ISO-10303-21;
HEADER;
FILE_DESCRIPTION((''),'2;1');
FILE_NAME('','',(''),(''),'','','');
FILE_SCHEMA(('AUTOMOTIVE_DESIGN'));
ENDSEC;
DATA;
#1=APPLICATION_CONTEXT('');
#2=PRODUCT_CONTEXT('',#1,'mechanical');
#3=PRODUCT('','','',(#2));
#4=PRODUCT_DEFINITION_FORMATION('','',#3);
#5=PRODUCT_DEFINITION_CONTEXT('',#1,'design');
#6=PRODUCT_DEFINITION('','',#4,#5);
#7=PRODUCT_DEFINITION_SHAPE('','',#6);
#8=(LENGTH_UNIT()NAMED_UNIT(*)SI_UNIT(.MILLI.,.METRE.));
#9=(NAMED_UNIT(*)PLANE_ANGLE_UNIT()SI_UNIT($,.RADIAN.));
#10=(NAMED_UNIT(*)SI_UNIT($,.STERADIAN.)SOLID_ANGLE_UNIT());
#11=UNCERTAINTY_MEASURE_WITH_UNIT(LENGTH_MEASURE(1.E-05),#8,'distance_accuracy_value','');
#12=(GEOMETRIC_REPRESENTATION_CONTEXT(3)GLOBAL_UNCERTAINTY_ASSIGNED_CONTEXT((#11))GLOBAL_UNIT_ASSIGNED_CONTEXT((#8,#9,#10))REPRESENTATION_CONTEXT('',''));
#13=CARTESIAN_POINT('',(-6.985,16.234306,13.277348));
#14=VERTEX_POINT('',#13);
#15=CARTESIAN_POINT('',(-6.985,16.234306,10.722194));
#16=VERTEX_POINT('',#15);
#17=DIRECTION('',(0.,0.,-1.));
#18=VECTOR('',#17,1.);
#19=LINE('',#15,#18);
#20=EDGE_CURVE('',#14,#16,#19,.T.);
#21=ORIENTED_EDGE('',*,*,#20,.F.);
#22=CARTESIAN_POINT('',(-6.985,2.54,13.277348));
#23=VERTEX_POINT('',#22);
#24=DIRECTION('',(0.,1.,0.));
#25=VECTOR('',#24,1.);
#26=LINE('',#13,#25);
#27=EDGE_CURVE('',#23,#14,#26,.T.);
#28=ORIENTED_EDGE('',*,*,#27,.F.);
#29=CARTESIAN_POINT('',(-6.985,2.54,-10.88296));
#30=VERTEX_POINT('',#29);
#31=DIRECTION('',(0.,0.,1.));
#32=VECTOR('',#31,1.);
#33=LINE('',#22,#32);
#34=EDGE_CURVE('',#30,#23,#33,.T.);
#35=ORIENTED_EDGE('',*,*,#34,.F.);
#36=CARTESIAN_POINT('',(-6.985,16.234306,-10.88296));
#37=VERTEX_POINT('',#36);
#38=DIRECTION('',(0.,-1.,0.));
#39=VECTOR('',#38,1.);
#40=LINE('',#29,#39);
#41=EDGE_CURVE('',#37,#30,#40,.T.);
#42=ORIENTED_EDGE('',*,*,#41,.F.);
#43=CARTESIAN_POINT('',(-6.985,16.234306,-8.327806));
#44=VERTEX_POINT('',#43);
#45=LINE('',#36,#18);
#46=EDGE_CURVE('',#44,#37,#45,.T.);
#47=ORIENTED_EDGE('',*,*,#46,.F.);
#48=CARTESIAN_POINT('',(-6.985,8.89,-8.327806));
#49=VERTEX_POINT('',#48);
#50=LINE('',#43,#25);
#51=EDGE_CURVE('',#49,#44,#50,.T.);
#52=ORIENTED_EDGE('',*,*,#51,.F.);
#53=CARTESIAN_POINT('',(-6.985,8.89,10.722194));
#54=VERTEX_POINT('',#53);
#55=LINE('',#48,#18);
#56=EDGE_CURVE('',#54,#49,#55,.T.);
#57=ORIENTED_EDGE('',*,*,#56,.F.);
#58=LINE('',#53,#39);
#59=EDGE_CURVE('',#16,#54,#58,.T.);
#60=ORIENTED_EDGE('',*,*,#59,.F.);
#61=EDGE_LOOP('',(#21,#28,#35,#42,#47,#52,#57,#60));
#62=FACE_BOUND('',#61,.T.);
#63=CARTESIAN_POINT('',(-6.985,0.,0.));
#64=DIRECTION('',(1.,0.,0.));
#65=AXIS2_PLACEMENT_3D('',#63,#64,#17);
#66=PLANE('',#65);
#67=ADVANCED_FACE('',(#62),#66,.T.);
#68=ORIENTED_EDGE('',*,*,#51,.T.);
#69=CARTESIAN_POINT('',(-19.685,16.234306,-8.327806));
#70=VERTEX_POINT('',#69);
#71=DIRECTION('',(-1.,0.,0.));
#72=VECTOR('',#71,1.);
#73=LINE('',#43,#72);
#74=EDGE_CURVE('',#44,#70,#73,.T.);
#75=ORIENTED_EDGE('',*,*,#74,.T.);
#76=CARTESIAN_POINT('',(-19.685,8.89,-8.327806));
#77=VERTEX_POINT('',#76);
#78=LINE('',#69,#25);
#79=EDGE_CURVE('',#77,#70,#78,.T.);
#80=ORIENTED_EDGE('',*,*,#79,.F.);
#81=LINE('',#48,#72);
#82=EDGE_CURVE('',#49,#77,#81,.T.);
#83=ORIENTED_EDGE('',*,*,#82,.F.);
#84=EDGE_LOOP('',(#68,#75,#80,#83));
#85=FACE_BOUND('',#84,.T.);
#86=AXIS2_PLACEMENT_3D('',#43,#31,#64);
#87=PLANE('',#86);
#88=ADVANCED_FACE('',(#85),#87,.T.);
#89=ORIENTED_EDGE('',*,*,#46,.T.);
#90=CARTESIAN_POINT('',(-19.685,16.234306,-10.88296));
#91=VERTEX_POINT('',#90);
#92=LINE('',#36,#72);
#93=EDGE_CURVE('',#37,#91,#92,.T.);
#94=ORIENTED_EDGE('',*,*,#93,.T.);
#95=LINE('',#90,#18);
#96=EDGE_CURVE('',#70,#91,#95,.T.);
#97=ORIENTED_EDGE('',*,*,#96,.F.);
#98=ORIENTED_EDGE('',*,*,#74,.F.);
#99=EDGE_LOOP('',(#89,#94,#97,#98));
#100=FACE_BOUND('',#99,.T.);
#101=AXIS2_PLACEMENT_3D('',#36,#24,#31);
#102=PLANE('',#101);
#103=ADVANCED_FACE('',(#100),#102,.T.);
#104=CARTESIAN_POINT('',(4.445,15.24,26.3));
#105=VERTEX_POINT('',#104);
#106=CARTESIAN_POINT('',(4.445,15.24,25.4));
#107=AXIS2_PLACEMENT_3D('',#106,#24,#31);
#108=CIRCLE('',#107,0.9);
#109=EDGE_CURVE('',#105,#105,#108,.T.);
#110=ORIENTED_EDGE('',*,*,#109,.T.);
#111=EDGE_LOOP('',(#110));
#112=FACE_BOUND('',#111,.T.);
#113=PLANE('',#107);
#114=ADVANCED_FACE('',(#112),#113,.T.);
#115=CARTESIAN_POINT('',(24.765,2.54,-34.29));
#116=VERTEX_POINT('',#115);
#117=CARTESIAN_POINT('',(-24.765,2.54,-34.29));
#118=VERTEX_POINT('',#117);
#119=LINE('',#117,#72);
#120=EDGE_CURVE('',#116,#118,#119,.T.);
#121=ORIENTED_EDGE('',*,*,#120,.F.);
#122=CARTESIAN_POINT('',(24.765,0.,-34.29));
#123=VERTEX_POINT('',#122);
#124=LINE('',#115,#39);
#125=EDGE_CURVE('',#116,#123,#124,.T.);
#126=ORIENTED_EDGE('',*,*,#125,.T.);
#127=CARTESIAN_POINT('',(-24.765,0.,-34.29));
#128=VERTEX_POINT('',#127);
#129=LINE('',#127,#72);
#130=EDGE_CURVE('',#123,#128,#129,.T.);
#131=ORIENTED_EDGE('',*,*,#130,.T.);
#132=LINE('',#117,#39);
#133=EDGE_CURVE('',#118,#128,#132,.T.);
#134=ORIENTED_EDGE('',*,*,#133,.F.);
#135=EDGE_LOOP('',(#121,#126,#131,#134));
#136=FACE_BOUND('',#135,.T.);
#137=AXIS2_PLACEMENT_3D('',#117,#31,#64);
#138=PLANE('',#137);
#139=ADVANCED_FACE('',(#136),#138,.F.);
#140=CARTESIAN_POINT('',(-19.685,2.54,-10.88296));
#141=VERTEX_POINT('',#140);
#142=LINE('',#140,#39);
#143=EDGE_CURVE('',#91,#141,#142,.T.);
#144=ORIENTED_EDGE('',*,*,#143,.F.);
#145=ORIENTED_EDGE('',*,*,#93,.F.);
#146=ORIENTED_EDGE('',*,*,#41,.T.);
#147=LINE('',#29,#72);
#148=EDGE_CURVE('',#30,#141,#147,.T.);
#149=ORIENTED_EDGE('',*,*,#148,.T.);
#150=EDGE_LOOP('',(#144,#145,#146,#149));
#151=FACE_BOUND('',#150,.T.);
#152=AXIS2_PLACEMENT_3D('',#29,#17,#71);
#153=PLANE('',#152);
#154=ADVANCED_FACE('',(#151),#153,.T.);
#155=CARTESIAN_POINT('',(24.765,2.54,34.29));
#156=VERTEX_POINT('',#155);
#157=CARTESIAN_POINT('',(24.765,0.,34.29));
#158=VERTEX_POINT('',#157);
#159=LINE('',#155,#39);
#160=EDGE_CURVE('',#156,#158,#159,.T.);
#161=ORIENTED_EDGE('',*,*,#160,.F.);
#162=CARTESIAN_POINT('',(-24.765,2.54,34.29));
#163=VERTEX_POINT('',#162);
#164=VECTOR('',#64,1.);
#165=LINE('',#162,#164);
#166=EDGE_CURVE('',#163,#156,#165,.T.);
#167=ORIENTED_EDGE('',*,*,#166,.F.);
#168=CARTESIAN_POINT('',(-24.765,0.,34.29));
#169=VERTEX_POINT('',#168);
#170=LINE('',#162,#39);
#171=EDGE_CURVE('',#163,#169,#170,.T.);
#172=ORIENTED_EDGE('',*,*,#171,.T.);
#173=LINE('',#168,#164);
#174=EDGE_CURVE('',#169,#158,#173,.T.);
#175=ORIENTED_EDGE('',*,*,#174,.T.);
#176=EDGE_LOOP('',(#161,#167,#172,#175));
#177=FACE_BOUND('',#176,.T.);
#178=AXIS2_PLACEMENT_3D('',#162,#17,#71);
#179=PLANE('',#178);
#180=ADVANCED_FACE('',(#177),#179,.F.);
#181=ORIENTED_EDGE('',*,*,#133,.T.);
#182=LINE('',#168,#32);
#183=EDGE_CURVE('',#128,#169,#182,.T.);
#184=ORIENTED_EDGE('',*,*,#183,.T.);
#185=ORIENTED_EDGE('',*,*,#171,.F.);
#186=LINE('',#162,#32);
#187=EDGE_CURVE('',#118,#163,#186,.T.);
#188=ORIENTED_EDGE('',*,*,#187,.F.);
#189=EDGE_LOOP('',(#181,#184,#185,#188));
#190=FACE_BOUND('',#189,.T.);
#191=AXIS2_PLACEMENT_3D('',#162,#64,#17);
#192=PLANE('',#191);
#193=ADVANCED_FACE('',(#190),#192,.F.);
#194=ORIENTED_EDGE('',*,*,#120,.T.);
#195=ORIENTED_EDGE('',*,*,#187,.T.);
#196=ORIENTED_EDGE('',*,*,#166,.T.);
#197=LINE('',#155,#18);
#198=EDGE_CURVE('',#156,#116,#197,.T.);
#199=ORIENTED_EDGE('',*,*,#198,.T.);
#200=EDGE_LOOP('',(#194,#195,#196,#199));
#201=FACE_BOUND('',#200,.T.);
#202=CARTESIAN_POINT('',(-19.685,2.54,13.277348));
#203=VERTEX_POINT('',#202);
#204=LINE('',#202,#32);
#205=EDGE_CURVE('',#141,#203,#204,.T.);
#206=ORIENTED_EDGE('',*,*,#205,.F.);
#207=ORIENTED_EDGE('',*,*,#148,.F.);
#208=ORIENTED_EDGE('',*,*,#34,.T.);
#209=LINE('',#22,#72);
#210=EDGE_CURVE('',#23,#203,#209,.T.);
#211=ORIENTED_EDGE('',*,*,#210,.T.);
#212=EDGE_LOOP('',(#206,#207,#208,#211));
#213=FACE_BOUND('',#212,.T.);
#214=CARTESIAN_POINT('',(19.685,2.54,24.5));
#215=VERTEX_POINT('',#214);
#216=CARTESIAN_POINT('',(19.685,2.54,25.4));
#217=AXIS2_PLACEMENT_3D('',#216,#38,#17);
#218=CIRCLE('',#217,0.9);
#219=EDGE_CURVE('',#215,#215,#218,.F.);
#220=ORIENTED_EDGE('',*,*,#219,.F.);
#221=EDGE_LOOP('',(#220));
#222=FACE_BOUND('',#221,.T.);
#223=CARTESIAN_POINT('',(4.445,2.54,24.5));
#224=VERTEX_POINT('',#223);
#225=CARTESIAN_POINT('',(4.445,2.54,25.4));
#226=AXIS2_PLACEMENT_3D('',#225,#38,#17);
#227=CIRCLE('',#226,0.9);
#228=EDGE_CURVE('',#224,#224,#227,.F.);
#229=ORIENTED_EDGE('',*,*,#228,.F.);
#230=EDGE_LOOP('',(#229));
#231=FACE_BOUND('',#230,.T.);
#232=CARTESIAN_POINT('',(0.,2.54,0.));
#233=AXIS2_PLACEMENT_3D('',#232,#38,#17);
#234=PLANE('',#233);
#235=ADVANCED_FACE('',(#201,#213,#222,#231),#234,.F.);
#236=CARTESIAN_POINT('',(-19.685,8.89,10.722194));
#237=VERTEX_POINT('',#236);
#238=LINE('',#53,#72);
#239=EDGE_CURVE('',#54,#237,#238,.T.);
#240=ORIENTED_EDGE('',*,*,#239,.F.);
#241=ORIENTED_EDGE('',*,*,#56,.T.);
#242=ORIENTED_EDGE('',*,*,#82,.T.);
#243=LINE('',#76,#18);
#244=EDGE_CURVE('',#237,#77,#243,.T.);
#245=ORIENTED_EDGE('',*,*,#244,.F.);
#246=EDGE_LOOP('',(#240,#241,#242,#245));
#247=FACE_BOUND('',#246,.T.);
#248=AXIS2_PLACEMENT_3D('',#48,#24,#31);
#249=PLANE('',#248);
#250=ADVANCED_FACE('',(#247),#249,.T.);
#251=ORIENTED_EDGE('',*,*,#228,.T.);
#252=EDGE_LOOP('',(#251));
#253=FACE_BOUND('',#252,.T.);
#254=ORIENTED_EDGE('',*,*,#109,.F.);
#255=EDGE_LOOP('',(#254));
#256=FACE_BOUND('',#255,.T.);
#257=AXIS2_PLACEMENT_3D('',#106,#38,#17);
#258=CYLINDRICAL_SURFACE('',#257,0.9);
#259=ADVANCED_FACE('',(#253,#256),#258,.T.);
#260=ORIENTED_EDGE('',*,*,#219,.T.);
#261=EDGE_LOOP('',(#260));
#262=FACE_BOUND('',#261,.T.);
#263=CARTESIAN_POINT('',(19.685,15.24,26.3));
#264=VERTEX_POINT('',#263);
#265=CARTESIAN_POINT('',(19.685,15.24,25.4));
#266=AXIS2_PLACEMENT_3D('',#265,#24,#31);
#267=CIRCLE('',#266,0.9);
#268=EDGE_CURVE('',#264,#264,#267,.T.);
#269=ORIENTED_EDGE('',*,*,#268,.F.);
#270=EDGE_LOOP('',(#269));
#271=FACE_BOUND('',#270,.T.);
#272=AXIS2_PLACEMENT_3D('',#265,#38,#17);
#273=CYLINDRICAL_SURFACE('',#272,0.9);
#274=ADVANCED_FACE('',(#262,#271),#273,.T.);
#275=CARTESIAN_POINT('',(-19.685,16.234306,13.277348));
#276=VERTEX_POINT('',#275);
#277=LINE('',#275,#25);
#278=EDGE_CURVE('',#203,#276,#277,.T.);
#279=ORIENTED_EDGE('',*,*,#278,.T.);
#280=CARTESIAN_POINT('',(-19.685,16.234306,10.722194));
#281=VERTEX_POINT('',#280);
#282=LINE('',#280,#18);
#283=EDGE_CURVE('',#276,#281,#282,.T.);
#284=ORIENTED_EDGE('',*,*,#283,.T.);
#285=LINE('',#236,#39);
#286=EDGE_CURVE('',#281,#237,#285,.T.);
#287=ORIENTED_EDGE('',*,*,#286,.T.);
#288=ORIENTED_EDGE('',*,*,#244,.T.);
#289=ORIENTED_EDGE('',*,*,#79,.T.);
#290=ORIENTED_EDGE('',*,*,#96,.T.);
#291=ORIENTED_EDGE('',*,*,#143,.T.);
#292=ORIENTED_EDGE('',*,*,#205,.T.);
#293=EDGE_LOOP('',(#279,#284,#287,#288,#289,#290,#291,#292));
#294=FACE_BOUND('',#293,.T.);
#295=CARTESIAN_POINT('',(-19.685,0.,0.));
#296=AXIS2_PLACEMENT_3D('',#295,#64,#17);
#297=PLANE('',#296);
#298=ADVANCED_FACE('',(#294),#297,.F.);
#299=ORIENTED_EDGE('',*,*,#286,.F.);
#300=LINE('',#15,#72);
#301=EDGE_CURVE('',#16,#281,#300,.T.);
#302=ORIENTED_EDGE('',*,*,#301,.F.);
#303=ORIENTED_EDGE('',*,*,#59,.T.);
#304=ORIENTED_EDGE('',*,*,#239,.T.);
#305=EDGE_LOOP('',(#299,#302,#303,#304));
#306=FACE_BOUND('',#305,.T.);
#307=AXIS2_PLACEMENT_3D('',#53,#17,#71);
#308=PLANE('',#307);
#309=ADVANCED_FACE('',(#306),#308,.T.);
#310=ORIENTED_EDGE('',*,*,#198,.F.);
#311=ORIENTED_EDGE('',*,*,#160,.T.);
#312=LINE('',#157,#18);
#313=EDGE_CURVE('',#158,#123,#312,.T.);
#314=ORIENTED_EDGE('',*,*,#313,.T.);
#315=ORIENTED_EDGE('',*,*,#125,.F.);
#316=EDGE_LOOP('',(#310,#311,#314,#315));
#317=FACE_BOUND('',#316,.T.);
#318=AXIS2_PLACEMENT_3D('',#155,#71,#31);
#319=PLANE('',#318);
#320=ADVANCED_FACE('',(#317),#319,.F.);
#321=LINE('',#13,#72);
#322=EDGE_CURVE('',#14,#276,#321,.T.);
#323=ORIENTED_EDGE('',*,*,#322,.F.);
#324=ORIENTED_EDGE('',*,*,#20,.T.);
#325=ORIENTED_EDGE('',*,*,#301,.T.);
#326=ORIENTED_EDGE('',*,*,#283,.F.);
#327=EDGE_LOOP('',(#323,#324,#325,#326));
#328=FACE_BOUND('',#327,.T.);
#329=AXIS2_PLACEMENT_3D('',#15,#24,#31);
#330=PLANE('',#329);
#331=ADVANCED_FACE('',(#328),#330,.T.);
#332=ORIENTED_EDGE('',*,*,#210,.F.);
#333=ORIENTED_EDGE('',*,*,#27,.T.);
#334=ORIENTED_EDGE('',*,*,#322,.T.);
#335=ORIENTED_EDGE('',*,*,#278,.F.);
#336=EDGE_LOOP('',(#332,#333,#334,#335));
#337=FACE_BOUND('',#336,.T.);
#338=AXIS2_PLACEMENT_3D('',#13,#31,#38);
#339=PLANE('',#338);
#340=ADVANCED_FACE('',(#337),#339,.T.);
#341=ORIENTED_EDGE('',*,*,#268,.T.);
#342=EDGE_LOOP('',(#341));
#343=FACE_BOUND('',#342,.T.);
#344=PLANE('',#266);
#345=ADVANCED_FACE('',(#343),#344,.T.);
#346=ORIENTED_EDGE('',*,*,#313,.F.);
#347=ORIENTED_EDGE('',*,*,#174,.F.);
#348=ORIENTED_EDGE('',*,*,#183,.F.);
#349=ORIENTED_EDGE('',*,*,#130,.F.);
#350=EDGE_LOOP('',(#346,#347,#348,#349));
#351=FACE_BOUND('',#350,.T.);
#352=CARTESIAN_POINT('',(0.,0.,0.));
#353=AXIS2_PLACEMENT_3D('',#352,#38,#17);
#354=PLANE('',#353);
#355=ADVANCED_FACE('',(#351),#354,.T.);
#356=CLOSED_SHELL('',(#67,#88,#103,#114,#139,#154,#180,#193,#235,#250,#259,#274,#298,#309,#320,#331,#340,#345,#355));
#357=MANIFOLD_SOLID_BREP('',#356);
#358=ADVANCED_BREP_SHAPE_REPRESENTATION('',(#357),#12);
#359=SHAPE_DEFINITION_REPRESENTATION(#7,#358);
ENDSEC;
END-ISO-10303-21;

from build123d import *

# Parameters (mm, degrees)
SKETCH1_W           = 49.53
SKETCH1_H           = 68.58
BOSS_EXTRUDE1_DEPTH = 2.54
SKETCH3_R           = 0.9
BOSS_EXTRUDE3_DEPTH = 12.7
BOSS_EXTRUDE4_START = -5.08
BOSS_EXTRUDE4_DEPTH = 12.7


with BuildPart() as part:
    # Sketch1 → Boss-Extrude1 (new body)
    with BuildSketch(Plane(origin=(0, 0, 0), x_dir=(1, 0, 0), z_dir=(0, 1, 0))):
        Rectangle(SKETCH1_W, SKETCH1_H)
    extrude(amount=BOSS_EXTRUDE1_DEPTH)

    # Sketch3 → Boss-Extrude3 (add)
    with BuildSketch(Plane(origin=(0, 2.54, 0), x_dir=(1, 0, 0), z_dir=(0, 1, 0))):
        with Locations(Location((4.445, -25.4, 0), (0, 0, 90))):
            Circle(SKETCH3_R)
        with Locations(Location((19.685, -25.4, 0), (0, 0, 90))):
            Circle(SKETCH3_R)
    extrude(amount=BOSS_EXTRUDE3_DEPTH)

    # Sketch4 → Boss-Extrude4 (add)
    with BuildSketch(Plane.ZY.offset(24.765).offset(BOSS_EXTRUDE4_START)):
        Polygon((-10.882960378, 2.54), (-10.882960378, 16.234305586), (-8.32780624, 16.234305586), (-8.32780624, 8.89), (10.72219376, 8.89), (10.72219376, 16.234305586), (13.277347899, 16.234305586), (13.277347899, 2.54), align=None)
    extrude(amount=-BOSS_EXTRUDE4_DEPTH)


solid = part.part
